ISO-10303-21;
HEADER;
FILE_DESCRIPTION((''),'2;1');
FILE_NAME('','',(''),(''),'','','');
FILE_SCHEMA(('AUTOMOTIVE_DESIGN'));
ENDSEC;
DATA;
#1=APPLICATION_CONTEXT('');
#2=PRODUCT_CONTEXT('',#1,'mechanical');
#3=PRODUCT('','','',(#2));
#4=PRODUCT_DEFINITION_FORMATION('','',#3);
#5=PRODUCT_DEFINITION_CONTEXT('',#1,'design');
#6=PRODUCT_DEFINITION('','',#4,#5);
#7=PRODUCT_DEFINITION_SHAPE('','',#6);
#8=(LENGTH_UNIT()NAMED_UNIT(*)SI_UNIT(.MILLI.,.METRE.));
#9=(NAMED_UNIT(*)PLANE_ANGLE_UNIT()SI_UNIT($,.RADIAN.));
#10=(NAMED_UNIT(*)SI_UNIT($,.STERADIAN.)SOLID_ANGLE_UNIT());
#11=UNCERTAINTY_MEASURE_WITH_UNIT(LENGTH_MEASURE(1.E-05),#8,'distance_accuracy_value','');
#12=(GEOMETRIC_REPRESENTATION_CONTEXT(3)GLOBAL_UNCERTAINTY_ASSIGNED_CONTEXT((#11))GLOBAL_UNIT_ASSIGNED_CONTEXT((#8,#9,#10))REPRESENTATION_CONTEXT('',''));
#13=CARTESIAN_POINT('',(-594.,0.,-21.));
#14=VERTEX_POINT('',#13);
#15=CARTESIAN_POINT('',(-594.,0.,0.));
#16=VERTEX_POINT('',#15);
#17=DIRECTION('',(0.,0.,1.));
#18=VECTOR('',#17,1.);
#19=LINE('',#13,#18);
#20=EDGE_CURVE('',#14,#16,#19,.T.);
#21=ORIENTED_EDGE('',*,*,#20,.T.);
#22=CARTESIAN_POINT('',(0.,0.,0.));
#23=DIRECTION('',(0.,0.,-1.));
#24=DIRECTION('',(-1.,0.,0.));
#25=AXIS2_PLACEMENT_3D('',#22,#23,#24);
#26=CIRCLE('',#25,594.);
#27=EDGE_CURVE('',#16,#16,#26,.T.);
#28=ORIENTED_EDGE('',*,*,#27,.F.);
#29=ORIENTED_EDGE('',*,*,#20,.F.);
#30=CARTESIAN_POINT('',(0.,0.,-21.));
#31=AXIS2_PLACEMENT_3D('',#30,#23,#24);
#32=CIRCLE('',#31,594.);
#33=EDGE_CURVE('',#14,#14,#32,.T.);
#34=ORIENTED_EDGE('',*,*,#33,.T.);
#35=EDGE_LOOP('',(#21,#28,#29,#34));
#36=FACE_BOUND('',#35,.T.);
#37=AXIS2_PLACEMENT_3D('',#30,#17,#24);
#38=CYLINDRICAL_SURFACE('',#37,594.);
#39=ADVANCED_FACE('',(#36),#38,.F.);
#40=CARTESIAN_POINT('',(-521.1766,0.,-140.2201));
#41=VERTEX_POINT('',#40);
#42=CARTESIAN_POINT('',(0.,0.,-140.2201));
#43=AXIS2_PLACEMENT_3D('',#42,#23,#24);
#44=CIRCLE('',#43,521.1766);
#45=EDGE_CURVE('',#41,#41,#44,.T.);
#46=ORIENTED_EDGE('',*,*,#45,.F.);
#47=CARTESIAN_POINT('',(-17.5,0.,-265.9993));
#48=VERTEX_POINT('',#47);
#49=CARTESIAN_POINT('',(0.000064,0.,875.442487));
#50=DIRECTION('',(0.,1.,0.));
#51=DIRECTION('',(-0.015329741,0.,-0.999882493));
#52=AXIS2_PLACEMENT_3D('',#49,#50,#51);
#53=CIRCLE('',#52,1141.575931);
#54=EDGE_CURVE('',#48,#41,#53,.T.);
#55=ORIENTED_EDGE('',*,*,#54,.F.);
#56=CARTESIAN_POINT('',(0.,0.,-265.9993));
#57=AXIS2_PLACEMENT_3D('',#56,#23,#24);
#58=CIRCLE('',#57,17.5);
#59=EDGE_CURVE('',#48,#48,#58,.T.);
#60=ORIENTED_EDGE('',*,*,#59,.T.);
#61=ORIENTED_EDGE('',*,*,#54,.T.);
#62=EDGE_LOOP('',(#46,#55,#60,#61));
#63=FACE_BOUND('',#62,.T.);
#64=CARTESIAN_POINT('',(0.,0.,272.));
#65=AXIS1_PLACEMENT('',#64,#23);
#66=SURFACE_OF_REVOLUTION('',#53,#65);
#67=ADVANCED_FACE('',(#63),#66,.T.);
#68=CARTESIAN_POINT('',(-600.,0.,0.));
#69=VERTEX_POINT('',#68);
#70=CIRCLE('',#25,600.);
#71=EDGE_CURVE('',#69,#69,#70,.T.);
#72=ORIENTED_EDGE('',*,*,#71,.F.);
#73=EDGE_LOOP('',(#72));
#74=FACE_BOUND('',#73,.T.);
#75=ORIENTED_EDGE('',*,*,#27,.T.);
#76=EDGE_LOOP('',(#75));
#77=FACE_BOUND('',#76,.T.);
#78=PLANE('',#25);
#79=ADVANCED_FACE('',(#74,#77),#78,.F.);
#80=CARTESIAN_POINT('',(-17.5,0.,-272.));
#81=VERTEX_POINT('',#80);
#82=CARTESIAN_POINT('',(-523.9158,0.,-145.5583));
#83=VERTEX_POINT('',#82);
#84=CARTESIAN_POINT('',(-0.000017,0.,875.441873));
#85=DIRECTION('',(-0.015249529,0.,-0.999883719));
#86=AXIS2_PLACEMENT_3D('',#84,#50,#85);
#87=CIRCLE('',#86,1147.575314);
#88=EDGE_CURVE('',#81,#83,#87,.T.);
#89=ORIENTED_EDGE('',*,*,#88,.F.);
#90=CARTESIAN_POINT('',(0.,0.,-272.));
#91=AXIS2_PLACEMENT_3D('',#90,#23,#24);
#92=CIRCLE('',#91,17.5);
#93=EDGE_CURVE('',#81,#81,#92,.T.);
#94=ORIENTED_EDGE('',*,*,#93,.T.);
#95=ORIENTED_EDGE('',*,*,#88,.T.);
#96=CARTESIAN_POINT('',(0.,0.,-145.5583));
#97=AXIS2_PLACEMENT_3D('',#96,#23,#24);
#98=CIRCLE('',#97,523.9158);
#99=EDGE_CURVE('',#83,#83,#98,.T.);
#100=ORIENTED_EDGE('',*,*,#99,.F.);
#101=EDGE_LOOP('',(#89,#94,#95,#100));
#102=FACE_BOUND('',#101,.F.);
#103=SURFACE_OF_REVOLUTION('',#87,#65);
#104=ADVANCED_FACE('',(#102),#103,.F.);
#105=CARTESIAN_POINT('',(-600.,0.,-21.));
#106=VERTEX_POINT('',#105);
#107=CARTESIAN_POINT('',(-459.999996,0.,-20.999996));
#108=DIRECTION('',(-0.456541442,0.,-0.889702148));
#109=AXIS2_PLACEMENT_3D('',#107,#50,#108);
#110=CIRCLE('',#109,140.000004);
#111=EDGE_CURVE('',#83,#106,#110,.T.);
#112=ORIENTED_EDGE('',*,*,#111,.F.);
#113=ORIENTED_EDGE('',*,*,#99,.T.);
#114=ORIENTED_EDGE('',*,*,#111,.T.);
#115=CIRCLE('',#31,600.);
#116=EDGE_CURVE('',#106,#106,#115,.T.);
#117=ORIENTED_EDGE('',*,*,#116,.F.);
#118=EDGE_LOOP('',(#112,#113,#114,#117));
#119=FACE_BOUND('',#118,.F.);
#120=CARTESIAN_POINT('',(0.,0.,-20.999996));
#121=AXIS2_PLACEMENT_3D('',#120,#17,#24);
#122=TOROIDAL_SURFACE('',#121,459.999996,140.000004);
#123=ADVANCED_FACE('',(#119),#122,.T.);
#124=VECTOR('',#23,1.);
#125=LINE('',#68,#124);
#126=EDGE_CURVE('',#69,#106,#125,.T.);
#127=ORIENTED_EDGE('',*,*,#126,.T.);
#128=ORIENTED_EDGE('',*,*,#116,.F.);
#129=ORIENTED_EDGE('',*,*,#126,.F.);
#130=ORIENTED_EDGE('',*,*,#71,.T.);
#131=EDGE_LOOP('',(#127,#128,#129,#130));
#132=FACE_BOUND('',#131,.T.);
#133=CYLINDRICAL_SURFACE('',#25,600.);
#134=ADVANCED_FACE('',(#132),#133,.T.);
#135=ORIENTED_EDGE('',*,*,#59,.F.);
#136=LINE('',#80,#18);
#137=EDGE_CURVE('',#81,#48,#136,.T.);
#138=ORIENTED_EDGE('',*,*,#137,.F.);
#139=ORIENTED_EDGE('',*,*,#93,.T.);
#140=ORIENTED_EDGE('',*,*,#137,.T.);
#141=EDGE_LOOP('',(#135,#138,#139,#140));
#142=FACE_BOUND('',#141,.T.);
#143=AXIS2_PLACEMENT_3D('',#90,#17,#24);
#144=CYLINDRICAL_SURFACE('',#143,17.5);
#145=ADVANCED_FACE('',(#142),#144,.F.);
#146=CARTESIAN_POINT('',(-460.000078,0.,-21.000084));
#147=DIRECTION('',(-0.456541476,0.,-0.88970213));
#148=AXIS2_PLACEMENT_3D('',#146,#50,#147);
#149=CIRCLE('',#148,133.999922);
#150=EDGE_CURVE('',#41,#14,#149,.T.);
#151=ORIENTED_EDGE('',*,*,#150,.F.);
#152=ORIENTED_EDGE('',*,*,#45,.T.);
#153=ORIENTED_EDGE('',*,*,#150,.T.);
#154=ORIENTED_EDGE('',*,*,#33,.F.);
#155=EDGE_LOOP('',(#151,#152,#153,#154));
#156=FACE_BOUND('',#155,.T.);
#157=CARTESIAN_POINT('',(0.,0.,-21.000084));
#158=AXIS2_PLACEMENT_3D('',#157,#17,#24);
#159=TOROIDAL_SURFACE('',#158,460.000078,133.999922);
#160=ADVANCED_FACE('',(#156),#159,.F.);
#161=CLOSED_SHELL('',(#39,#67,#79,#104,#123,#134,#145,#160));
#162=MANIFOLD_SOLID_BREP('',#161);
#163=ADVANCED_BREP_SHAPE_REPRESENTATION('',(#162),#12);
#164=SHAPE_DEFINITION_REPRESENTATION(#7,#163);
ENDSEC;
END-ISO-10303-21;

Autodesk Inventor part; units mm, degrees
ref_plane "YZ Plane" through (0, 0, 0) normal (1, 0, 0) x (0, 1, 0)
ref_plane "XZ Plane" through (0, 0, 0) normal (0, 1, 0) x (-1, 0, 0)
ref_plane "XY Plane" through (0, 0, 0) normal (0, 0, 1) x (1, 0, 0)
sketch "Sketch1" plane through (0, 0, 0) normal (0, 1, 0) x (-1, 0, 0)
  line L0 (600, 0) -> (600, -21)
  arc A0 (523.9158, -145.5583) -> (600, -21) centre (460, -21) ccw
  arc A1 (17.5, -272) -> (523.9158, -145.5583) centre (0, 875.442) ccw
  line L1 (0, 272) -> (0, -272)
  arc A2 (17.5, -265.9993) -> (521.1766, -140.2201) centre (0, 875.442) ccw
  arc A3 (521.1766, -140.2201) -> (594, -21) centre (460, -21) ccw
  line L2 (594, -21) -> (594, 0)
  line L3 (594, 0) -> (600, 0)
  line L4 (0, -272) -> (17.5, -272)
  line L5 (0, -265.9993) -> (17.5, -265.9993)
  line L6 (17.5, -272) -> (17.5, -265.9993)
  point P0 (0, 0)
  point P1 (0, 0)
  point P2 (0, -163.7009)
  point P3 (0, -169.7009)
  dimension "d0" = 140
  dimension "d1" = 21
  dimension "d3" = 1147.5754
  dimension "d6" = 6
  dimension "d13" = 35
  dimension "d14" = 1200
  dimension "d15" = 272
revolve "Revolution1" add sketch "Sketch1" angle 360 about axis through (0, 0, 272) along (0, 0, -1) contours L0 A0 A1 L6 A2 A3 L2 L3
equation "\"d0\" = tech_dishhead_small_rad"
equation "\"d1\" = tech_dishhead_edge_hight"
equation "\"d13\" = tech_dishhead_bottom_hole"
equation "\"d14\" = MAIN_filter_diam"
equation "\"d15\" = MAIN_dished_head_hight"
equation "\"tech_dishhead_small_rad\" = 140"
equation "\"tech_dishhead_edge_hight\" = 21"
equation "\"tech_dishhead_bottom_hole\" = 35"
equation "\"MAIN_filter_diam\" = 1200"
equation "\"MAIN_dished_head_hight\" = 272"
properties part number "TZS 1208 dished head" material "Steel"
